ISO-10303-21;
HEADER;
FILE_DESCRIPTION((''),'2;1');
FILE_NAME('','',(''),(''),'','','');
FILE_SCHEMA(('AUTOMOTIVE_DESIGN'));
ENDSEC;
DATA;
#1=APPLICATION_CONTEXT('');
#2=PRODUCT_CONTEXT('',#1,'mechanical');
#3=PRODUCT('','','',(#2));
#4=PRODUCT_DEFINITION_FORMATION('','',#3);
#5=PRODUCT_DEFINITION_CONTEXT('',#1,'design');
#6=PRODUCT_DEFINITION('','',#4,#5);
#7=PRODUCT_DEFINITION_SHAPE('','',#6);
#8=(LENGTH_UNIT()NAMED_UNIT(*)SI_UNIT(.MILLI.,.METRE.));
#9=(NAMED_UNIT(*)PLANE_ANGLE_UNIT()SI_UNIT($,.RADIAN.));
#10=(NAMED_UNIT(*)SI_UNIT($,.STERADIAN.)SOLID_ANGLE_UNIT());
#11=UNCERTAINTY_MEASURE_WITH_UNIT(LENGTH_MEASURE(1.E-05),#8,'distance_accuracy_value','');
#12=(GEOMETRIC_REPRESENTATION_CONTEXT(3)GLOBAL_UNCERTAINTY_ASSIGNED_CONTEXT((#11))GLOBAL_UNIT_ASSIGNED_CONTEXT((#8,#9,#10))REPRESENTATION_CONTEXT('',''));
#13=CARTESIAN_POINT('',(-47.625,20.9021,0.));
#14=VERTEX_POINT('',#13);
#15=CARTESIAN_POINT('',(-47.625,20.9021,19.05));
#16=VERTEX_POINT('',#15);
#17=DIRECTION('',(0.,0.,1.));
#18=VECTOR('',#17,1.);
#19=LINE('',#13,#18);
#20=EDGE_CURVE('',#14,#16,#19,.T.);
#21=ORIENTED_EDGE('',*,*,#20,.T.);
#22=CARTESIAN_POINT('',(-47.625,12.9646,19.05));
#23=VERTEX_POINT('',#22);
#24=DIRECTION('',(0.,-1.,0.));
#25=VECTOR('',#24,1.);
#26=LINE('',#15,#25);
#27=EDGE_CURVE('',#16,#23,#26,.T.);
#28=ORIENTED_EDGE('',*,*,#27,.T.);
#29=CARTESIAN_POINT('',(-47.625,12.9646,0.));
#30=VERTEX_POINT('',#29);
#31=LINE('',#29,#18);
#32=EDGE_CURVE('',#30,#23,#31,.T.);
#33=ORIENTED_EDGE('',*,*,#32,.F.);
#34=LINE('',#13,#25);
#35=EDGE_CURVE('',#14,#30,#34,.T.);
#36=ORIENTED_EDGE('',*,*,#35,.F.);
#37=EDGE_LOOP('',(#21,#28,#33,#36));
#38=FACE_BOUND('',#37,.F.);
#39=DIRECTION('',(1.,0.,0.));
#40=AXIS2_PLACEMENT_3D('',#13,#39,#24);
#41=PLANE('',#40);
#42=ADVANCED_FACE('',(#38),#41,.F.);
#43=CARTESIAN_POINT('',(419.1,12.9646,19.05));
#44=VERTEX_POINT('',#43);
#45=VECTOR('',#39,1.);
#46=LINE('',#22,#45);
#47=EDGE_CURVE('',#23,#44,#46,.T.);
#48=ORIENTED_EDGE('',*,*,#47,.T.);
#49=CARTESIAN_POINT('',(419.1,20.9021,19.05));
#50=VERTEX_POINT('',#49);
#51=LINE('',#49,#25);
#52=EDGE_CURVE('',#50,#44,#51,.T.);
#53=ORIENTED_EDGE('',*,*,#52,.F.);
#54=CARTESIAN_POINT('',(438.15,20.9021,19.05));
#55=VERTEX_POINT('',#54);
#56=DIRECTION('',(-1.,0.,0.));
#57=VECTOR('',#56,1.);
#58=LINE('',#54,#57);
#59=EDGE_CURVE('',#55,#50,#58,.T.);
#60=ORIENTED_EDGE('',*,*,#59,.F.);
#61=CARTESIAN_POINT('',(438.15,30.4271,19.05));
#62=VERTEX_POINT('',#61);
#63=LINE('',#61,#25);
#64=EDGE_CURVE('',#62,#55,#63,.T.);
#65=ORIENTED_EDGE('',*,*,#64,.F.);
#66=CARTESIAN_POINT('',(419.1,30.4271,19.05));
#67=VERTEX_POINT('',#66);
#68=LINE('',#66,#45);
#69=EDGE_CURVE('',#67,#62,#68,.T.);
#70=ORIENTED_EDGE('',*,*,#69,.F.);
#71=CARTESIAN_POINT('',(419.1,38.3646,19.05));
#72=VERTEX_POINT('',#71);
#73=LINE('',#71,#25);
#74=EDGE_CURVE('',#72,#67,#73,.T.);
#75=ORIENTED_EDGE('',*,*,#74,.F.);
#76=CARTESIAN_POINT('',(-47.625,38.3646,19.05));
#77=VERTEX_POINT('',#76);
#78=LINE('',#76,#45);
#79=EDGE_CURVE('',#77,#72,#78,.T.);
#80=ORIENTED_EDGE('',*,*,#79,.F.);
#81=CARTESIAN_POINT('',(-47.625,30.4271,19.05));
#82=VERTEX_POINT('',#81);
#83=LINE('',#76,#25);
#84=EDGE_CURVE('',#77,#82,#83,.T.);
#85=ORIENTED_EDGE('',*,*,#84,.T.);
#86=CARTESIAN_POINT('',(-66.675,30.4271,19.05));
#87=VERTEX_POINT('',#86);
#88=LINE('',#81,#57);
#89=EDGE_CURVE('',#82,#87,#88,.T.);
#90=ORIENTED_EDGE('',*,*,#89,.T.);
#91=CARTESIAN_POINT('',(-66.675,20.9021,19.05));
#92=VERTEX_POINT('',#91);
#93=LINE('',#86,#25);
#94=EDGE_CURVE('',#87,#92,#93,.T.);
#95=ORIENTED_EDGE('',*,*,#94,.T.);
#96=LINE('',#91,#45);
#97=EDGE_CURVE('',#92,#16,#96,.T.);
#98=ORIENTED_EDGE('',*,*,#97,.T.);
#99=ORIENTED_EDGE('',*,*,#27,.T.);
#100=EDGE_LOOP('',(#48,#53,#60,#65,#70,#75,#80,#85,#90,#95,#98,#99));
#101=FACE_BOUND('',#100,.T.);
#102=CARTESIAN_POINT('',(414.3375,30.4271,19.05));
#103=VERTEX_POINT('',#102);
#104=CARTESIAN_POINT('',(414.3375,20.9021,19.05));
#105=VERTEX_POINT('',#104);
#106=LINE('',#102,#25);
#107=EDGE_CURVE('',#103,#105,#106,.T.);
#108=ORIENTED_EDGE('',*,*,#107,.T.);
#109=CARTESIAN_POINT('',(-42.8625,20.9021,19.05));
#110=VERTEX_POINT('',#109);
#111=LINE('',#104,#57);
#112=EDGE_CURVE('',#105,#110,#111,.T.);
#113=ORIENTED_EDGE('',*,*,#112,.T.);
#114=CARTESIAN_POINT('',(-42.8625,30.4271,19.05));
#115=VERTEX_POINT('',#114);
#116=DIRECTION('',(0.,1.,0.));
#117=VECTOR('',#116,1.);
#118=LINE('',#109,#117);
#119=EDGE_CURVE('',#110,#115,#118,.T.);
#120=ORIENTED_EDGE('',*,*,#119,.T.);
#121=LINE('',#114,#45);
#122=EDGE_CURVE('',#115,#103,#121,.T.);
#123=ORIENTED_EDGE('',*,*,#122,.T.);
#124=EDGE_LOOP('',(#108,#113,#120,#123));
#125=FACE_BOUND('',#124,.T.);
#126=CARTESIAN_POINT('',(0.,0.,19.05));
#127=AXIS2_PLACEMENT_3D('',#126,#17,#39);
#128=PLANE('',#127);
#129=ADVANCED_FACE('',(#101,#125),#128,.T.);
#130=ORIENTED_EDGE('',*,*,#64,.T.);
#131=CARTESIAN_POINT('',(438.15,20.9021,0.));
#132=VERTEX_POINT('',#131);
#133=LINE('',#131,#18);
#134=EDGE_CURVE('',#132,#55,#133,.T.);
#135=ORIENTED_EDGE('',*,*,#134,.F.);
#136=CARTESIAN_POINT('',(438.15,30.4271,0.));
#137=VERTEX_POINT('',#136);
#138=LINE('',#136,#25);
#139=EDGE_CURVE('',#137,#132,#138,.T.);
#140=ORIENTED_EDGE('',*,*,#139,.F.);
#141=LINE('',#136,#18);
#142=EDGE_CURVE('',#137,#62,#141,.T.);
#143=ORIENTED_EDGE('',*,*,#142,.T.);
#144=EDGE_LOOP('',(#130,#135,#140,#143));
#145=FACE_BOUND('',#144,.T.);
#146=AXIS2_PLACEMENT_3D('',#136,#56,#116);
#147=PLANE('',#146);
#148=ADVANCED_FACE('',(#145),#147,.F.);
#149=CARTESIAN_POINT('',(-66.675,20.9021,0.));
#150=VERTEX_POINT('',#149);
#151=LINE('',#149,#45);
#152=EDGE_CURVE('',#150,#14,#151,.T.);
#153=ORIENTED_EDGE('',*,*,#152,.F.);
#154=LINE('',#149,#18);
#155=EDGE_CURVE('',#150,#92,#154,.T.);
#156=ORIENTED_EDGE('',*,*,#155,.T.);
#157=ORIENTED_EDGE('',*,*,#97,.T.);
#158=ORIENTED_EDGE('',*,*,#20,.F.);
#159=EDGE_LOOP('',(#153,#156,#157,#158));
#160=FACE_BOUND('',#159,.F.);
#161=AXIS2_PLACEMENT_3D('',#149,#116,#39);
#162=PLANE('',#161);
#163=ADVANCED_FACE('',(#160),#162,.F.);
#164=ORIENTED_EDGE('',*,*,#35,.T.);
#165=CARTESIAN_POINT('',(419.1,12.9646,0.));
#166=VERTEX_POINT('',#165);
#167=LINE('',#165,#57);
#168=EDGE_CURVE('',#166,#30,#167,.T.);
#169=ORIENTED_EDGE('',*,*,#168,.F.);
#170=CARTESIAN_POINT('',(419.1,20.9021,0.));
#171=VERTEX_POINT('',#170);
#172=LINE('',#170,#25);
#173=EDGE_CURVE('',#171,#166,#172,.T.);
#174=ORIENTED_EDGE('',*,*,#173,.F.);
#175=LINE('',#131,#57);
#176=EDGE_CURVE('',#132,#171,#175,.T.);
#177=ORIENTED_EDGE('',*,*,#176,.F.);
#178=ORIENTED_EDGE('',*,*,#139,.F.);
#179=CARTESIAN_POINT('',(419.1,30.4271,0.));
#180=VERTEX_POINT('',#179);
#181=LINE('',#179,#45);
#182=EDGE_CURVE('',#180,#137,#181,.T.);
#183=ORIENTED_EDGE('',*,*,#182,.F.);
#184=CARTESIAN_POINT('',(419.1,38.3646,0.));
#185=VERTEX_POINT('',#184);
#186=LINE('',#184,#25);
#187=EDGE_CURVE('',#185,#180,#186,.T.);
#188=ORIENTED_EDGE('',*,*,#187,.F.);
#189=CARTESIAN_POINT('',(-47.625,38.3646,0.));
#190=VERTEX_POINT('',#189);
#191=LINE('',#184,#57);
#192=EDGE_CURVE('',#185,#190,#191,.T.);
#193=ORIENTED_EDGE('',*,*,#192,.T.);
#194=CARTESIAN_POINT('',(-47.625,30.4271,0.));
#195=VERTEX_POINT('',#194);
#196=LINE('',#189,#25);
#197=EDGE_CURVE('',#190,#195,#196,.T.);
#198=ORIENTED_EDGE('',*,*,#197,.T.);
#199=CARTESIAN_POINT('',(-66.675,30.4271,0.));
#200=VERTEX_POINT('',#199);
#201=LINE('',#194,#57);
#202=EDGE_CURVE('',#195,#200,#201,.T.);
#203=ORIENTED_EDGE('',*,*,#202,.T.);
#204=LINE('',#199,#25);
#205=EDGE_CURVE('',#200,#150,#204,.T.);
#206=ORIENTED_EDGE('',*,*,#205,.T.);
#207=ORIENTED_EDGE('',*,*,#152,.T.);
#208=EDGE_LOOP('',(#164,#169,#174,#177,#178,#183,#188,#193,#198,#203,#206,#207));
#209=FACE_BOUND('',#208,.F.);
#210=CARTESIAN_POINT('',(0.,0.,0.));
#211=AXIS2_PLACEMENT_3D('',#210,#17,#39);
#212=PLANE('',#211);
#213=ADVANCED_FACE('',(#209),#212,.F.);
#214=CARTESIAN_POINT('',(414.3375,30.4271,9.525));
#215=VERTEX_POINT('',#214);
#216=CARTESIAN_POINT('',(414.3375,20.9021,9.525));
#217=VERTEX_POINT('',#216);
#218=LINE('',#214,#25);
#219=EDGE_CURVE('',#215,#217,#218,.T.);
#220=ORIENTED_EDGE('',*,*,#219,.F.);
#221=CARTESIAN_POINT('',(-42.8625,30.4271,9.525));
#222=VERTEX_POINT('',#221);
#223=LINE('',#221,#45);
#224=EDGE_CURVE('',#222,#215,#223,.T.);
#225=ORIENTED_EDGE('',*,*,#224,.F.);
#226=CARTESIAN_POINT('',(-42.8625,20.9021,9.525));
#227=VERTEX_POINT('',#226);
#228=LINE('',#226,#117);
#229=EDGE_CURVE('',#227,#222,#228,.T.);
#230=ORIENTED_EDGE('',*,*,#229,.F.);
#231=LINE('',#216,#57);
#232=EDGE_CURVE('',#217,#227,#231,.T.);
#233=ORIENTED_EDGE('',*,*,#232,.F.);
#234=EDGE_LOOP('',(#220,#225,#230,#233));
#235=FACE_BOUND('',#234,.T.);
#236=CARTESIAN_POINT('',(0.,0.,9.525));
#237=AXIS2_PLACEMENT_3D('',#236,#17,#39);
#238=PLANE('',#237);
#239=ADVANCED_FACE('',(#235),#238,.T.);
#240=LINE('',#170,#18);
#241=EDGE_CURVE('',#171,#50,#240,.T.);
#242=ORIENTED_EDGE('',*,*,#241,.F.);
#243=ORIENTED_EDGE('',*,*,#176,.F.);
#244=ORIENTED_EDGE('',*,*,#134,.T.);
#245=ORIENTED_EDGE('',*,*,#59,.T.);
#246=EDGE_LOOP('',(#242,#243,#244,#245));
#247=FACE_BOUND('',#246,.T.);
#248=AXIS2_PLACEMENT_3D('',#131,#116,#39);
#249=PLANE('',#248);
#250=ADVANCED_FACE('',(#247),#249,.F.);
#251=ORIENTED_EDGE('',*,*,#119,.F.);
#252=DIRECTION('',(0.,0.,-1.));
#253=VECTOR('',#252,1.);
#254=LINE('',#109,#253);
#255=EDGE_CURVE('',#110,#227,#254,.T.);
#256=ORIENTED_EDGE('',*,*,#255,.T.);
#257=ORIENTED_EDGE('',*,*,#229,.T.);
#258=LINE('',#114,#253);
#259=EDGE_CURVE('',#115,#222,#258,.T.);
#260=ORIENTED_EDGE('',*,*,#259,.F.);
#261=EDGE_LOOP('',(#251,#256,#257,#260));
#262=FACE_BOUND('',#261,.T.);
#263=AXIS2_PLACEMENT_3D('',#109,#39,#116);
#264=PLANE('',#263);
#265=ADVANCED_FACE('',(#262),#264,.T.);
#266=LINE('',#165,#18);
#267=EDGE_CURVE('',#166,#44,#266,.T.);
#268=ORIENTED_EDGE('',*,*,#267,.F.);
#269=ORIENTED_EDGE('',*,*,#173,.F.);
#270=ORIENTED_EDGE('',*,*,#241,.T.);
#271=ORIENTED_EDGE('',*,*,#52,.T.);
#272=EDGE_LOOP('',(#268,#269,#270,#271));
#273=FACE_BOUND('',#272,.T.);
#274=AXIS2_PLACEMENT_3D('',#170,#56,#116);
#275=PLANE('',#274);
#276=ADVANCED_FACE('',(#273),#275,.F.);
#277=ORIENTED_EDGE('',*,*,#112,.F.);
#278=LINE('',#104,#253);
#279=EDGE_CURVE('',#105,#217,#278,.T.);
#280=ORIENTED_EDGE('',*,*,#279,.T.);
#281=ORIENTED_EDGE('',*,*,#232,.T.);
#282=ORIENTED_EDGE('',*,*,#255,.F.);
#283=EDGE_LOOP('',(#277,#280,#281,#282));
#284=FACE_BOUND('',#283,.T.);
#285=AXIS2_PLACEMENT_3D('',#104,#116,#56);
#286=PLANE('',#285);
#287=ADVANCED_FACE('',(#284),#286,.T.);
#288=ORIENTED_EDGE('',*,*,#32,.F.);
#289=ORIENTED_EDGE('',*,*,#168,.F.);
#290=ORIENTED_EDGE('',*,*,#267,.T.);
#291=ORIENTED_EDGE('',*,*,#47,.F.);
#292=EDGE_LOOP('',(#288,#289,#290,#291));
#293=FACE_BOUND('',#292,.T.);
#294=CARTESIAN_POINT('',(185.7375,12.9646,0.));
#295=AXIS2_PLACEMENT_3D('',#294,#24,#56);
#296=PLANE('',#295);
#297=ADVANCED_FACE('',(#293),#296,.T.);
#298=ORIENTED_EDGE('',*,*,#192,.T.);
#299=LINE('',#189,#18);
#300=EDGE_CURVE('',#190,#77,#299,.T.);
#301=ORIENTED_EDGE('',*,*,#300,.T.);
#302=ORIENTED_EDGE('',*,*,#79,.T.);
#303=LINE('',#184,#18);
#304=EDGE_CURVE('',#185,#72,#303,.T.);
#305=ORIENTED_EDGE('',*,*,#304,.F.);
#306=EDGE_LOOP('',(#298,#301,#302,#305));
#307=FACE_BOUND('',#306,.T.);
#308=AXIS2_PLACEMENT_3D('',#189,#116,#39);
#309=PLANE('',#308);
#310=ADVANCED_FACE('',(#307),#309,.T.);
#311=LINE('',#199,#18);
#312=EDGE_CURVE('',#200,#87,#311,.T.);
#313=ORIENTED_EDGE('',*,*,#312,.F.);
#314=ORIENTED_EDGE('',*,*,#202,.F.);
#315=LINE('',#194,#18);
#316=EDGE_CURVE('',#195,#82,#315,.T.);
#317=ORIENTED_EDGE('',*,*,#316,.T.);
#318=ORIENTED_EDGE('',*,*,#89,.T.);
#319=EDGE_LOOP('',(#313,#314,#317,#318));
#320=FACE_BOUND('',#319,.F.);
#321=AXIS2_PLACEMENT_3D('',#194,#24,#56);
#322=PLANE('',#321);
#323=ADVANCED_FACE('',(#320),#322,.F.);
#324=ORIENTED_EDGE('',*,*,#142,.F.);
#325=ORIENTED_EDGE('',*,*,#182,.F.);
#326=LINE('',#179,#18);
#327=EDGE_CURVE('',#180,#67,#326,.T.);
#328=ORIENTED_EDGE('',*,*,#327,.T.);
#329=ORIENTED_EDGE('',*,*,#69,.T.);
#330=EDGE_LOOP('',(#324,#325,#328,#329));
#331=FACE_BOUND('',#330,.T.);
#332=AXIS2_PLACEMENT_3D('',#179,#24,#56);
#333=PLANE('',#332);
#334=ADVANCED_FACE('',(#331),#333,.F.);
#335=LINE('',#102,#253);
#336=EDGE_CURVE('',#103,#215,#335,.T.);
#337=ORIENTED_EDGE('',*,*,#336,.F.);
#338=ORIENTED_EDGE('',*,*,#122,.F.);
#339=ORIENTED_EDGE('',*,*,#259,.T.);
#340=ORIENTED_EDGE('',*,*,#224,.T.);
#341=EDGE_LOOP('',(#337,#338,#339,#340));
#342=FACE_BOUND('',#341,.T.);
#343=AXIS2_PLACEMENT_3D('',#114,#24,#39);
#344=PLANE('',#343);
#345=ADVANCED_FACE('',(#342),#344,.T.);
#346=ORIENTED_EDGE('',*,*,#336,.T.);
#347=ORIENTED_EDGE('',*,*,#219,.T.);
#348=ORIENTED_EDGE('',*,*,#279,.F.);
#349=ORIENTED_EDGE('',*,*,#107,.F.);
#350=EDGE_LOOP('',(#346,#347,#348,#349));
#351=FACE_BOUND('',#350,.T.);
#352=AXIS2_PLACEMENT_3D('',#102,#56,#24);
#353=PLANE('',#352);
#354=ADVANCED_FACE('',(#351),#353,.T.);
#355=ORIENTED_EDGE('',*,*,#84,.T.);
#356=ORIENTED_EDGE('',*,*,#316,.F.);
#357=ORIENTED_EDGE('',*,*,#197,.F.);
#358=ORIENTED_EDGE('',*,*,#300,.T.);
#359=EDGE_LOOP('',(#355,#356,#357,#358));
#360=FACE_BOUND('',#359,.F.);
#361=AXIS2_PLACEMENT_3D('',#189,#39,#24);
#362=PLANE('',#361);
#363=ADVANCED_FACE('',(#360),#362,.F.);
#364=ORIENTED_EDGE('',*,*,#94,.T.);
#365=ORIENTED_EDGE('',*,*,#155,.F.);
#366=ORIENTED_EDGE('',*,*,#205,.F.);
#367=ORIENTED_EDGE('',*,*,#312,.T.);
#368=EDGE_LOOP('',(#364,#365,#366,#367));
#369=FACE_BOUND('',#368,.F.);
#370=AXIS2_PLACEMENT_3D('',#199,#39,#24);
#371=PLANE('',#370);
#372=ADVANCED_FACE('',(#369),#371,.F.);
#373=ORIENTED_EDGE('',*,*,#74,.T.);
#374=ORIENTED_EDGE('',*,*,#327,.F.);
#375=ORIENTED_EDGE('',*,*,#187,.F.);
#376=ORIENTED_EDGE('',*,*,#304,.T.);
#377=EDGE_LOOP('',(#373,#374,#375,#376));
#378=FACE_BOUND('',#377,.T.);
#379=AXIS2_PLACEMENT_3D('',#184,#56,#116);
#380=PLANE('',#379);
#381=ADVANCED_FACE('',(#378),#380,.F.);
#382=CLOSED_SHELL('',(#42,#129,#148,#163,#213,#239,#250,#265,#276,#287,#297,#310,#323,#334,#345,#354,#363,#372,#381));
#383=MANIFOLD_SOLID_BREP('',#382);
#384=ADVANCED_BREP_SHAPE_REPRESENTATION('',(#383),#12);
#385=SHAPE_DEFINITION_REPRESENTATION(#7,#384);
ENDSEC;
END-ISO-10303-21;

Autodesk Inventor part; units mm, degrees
ref_plane "YZ Plane" through (0, 0, 0) normal (1, 0, 0) x (0, 1, 0)
ref_plane "XZ Plane" through (0, 0, 0) normal (0, 1, 0) x (-1, 0, 0)
ref_plane "XY Plane" through (0, 0, 0) normal (0, 0, 1) x (1, 0, 0)
sketch "Sketch1" plane through (0, 0, 0) normal (0, 0, 1) x (1, 0, 0)
  line L0 (-47.625, 38.3646) -> (-47.625, 30.4271)
  line L1 (-47.625, 30.4271) -> (-66.675, 30.4271)
  line L2 (-66.675, 30.4271) -> (-66.675, 20.9021)
  line L3 (-66.675, 20.9021) -> (-47.625, 20.9021)
  line L4 (-47.625, 20.9021) -> (-47.625, 12.9646)
  line L5 (-47.625, 38.3646) -> (185.7375, 38.3646)
  line L6 (185.7375, 38.3646) -> (185.7375, 12.9646)
  line L7 (185.7375, 12.9646) -> (-47.625, 12.9646)
  line L8 (-47.625, 12.9646) -> (-47.625, 38.3646)
  line L9 (-47.625, 20.9021) -> (-66.675, 20.9021)
  line L10 (-66.675, 20.9021) -> (-66.675, 30.4271)
  line L11 (-66.675, 30.4271) -> (-47.625, 30.4271)
  line L12 (-47.625, 30.4271) -> (-47.625, 20.9021)
  point P0 (0, 0)
  dimension "d0" = 7.9375
  dimension "d1" = 19.05
  dimension "d2" = 9.525
  dimension "d3" = 7.9375
  dimension "d4" = 25.4
  dimension "d6" = 252.4125
extrude "Extrusion1" add sketch "Sketch1" along normal blind 19.05
mirror "Mirror1" about plane through (185.7375, 12.9646, 0) normal (1, 0, 0) of "Extrusion1"
sketch "Sketch2" plane through (0, 0, 19.05) normal (0, 0, 1) x (1, 0, 0)
  line L0 (-66.675, 30.4271) -> (-66.675, 20.9021) projected
  line L1 (-47.625, 12.9646) -> (419.1, 12.9646) projected
  line L2 (438.15, 30.4271) -> (438.15, 20.9021) projected
  line L3 (-47.625, 38.3646) -> (419.1, 38.3646) projected
  line L4 (-42.8625, 30.4271) -> (414.3375, 30.4271)
  line L5 (414.3375, 30.4271) -> (414.3375, 20.9021)
  line L6 (414.3375, 20.9021) -> (-42.8625, 20.9021)
  line L7 (-42.8625, 20.9021) -> (-42.8625, 30.4271)
  point P0 (0, 0)
  dimension "d10" = 7.9375
  dimension "d11" = 7.9375
  dimension "d12" = 9.525
  dimension "d13" = 23.8125
  dimension "d14" = 23.8125
extrude "Extrusion2" cut sketch "Sketch2" against normal blind 9.525
equation "\"d11\" = d10"
properties part number "top_cover_side" material "Wood (Birch)"
